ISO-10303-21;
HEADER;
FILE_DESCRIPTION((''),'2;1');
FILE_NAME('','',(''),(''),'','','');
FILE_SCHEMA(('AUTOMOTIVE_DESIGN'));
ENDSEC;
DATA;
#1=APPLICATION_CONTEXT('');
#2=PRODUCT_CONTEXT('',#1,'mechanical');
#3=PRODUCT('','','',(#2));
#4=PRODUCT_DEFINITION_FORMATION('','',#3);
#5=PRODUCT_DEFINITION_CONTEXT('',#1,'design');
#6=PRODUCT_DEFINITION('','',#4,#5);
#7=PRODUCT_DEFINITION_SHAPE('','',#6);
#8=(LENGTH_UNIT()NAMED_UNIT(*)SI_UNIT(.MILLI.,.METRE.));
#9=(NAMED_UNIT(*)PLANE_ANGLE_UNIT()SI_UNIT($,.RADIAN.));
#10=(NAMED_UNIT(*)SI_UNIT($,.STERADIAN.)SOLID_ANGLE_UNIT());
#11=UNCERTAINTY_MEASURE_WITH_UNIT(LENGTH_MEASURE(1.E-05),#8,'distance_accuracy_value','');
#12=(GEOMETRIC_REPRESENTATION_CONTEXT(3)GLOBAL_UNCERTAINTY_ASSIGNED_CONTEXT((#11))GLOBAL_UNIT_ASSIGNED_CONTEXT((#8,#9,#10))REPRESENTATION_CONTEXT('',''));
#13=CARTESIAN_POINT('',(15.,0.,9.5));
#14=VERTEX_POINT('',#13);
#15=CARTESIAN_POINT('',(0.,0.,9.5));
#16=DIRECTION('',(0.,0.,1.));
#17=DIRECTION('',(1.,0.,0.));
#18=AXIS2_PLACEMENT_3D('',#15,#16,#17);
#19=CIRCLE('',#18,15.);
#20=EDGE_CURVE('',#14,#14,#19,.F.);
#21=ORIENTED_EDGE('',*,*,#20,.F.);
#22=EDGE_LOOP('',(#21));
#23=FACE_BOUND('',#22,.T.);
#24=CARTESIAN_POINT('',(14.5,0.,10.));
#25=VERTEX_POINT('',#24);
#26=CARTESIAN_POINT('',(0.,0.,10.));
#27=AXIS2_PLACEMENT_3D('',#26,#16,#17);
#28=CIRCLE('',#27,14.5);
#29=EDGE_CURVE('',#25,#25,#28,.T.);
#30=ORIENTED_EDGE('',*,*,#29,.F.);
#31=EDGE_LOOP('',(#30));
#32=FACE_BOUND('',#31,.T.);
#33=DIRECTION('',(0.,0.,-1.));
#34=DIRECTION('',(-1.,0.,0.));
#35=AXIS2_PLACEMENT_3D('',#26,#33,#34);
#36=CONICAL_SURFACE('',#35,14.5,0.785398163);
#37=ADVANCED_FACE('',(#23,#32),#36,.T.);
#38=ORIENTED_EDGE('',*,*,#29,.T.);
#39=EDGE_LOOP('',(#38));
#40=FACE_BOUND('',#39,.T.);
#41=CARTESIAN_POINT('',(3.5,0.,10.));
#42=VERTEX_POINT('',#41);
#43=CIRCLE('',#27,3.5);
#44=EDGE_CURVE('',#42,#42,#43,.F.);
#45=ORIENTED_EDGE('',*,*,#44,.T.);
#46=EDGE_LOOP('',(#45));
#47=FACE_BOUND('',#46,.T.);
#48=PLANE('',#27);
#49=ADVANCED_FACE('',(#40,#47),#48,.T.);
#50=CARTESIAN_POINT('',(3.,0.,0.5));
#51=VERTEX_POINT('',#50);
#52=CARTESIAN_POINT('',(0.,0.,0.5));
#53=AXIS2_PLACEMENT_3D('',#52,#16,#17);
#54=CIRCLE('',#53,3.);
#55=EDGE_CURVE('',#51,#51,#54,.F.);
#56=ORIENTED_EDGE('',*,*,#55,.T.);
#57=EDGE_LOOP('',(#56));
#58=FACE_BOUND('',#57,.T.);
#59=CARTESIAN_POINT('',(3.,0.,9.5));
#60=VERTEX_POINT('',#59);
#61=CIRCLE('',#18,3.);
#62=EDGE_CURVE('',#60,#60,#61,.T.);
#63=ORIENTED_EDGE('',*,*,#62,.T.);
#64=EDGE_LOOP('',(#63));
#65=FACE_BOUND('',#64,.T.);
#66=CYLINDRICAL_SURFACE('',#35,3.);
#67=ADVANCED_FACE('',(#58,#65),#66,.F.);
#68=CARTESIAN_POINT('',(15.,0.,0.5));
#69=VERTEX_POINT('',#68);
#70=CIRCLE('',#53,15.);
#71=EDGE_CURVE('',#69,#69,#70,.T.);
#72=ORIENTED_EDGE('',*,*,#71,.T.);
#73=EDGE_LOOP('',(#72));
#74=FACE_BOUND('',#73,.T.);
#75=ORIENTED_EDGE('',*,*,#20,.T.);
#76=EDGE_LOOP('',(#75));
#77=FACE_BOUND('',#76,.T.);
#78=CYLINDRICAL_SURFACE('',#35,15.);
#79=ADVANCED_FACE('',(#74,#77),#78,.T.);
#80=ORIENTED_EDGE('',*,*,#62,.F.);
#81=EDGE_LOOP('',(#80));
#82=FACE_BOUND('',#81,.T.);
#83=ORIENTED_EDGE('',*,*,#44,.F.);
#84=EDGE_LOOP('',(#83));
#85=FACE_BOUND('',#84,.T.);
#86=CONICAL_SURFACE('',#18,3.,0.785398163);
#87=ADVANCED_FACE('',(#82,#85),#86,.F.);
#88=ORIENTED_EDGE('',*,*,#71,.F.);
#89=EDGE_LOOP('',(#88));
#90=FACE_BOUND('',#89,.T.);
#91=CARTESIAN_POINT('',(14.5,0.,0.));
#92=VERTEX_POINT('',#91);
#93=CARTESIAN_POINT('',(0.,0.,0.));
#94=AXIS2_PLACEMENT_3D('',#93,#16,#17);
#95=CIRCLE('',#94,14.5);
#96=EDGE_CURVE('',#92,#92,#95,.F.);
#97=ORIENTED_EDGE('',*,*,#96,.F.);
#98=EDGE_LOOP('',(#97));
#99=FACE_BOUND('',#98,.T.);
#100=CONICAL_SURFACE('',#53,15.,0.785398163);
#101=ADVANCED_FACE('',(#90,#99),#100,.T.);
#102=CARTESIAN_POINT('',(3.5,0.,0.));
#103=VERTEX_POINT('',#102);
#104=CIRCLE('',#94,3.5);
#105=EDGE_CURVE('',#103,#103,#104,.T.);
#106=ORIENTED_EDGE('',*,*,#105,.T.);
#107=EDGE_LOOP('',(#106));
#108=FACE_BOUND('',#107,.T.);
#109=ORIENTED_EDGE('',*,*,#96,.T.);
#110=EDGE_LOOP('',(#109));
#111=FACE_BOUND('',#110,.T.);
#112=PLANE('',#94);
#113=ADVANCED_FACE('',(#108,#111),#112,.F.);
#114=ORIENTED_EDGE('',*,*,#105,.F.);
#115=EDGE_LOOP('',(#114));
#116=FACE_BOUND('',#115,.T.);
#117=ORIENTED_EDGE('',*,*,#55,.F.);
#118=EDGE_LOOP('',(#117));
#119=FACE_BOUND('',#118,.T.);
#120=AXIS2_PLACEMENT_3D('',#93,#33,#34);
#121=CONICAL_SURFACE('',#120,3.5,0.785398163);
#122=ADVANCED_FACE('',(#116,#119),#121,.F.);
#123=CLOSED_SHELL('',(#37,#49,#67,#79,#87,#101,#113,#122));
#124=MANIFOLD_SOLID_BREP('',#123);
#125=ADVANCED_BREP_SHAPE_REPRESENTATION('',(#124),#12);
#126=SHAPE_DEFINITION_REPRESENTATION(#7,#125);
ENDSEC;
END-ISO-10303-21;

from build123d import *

# Parameters (mm, degrees)
SKETCH1_R           = 15
SKETCH1_R_2         = 3
BOSS_EXTRUDE1_DEPTH = 10
CHAMFER1_SIZE       = 0.5


with BuildPart() as part:
    # Sketch1 → Boss-Extrude1 (new body)
    with BuildSketch(Plane.XY):
        Circle(SKETCH1_R)
        Circle(SKETCH1_R_2, mode=Mode.SUBTRACT)
    extrude(amount=BOSS_EXTRUDE1_DEPTH)

    # Chamfer1
    chamfer1_edges = [part.edges().sort_by_distance(p)[0] for p in [
        (-15, 0, 0),
        (-15, 0, 10),
        (-3, 0, 0),
        (-3, 0, 10),
    ]]
    chamfer(chamfer1_edges, length=CHAMFER1_SIZE)


solid = part.part
